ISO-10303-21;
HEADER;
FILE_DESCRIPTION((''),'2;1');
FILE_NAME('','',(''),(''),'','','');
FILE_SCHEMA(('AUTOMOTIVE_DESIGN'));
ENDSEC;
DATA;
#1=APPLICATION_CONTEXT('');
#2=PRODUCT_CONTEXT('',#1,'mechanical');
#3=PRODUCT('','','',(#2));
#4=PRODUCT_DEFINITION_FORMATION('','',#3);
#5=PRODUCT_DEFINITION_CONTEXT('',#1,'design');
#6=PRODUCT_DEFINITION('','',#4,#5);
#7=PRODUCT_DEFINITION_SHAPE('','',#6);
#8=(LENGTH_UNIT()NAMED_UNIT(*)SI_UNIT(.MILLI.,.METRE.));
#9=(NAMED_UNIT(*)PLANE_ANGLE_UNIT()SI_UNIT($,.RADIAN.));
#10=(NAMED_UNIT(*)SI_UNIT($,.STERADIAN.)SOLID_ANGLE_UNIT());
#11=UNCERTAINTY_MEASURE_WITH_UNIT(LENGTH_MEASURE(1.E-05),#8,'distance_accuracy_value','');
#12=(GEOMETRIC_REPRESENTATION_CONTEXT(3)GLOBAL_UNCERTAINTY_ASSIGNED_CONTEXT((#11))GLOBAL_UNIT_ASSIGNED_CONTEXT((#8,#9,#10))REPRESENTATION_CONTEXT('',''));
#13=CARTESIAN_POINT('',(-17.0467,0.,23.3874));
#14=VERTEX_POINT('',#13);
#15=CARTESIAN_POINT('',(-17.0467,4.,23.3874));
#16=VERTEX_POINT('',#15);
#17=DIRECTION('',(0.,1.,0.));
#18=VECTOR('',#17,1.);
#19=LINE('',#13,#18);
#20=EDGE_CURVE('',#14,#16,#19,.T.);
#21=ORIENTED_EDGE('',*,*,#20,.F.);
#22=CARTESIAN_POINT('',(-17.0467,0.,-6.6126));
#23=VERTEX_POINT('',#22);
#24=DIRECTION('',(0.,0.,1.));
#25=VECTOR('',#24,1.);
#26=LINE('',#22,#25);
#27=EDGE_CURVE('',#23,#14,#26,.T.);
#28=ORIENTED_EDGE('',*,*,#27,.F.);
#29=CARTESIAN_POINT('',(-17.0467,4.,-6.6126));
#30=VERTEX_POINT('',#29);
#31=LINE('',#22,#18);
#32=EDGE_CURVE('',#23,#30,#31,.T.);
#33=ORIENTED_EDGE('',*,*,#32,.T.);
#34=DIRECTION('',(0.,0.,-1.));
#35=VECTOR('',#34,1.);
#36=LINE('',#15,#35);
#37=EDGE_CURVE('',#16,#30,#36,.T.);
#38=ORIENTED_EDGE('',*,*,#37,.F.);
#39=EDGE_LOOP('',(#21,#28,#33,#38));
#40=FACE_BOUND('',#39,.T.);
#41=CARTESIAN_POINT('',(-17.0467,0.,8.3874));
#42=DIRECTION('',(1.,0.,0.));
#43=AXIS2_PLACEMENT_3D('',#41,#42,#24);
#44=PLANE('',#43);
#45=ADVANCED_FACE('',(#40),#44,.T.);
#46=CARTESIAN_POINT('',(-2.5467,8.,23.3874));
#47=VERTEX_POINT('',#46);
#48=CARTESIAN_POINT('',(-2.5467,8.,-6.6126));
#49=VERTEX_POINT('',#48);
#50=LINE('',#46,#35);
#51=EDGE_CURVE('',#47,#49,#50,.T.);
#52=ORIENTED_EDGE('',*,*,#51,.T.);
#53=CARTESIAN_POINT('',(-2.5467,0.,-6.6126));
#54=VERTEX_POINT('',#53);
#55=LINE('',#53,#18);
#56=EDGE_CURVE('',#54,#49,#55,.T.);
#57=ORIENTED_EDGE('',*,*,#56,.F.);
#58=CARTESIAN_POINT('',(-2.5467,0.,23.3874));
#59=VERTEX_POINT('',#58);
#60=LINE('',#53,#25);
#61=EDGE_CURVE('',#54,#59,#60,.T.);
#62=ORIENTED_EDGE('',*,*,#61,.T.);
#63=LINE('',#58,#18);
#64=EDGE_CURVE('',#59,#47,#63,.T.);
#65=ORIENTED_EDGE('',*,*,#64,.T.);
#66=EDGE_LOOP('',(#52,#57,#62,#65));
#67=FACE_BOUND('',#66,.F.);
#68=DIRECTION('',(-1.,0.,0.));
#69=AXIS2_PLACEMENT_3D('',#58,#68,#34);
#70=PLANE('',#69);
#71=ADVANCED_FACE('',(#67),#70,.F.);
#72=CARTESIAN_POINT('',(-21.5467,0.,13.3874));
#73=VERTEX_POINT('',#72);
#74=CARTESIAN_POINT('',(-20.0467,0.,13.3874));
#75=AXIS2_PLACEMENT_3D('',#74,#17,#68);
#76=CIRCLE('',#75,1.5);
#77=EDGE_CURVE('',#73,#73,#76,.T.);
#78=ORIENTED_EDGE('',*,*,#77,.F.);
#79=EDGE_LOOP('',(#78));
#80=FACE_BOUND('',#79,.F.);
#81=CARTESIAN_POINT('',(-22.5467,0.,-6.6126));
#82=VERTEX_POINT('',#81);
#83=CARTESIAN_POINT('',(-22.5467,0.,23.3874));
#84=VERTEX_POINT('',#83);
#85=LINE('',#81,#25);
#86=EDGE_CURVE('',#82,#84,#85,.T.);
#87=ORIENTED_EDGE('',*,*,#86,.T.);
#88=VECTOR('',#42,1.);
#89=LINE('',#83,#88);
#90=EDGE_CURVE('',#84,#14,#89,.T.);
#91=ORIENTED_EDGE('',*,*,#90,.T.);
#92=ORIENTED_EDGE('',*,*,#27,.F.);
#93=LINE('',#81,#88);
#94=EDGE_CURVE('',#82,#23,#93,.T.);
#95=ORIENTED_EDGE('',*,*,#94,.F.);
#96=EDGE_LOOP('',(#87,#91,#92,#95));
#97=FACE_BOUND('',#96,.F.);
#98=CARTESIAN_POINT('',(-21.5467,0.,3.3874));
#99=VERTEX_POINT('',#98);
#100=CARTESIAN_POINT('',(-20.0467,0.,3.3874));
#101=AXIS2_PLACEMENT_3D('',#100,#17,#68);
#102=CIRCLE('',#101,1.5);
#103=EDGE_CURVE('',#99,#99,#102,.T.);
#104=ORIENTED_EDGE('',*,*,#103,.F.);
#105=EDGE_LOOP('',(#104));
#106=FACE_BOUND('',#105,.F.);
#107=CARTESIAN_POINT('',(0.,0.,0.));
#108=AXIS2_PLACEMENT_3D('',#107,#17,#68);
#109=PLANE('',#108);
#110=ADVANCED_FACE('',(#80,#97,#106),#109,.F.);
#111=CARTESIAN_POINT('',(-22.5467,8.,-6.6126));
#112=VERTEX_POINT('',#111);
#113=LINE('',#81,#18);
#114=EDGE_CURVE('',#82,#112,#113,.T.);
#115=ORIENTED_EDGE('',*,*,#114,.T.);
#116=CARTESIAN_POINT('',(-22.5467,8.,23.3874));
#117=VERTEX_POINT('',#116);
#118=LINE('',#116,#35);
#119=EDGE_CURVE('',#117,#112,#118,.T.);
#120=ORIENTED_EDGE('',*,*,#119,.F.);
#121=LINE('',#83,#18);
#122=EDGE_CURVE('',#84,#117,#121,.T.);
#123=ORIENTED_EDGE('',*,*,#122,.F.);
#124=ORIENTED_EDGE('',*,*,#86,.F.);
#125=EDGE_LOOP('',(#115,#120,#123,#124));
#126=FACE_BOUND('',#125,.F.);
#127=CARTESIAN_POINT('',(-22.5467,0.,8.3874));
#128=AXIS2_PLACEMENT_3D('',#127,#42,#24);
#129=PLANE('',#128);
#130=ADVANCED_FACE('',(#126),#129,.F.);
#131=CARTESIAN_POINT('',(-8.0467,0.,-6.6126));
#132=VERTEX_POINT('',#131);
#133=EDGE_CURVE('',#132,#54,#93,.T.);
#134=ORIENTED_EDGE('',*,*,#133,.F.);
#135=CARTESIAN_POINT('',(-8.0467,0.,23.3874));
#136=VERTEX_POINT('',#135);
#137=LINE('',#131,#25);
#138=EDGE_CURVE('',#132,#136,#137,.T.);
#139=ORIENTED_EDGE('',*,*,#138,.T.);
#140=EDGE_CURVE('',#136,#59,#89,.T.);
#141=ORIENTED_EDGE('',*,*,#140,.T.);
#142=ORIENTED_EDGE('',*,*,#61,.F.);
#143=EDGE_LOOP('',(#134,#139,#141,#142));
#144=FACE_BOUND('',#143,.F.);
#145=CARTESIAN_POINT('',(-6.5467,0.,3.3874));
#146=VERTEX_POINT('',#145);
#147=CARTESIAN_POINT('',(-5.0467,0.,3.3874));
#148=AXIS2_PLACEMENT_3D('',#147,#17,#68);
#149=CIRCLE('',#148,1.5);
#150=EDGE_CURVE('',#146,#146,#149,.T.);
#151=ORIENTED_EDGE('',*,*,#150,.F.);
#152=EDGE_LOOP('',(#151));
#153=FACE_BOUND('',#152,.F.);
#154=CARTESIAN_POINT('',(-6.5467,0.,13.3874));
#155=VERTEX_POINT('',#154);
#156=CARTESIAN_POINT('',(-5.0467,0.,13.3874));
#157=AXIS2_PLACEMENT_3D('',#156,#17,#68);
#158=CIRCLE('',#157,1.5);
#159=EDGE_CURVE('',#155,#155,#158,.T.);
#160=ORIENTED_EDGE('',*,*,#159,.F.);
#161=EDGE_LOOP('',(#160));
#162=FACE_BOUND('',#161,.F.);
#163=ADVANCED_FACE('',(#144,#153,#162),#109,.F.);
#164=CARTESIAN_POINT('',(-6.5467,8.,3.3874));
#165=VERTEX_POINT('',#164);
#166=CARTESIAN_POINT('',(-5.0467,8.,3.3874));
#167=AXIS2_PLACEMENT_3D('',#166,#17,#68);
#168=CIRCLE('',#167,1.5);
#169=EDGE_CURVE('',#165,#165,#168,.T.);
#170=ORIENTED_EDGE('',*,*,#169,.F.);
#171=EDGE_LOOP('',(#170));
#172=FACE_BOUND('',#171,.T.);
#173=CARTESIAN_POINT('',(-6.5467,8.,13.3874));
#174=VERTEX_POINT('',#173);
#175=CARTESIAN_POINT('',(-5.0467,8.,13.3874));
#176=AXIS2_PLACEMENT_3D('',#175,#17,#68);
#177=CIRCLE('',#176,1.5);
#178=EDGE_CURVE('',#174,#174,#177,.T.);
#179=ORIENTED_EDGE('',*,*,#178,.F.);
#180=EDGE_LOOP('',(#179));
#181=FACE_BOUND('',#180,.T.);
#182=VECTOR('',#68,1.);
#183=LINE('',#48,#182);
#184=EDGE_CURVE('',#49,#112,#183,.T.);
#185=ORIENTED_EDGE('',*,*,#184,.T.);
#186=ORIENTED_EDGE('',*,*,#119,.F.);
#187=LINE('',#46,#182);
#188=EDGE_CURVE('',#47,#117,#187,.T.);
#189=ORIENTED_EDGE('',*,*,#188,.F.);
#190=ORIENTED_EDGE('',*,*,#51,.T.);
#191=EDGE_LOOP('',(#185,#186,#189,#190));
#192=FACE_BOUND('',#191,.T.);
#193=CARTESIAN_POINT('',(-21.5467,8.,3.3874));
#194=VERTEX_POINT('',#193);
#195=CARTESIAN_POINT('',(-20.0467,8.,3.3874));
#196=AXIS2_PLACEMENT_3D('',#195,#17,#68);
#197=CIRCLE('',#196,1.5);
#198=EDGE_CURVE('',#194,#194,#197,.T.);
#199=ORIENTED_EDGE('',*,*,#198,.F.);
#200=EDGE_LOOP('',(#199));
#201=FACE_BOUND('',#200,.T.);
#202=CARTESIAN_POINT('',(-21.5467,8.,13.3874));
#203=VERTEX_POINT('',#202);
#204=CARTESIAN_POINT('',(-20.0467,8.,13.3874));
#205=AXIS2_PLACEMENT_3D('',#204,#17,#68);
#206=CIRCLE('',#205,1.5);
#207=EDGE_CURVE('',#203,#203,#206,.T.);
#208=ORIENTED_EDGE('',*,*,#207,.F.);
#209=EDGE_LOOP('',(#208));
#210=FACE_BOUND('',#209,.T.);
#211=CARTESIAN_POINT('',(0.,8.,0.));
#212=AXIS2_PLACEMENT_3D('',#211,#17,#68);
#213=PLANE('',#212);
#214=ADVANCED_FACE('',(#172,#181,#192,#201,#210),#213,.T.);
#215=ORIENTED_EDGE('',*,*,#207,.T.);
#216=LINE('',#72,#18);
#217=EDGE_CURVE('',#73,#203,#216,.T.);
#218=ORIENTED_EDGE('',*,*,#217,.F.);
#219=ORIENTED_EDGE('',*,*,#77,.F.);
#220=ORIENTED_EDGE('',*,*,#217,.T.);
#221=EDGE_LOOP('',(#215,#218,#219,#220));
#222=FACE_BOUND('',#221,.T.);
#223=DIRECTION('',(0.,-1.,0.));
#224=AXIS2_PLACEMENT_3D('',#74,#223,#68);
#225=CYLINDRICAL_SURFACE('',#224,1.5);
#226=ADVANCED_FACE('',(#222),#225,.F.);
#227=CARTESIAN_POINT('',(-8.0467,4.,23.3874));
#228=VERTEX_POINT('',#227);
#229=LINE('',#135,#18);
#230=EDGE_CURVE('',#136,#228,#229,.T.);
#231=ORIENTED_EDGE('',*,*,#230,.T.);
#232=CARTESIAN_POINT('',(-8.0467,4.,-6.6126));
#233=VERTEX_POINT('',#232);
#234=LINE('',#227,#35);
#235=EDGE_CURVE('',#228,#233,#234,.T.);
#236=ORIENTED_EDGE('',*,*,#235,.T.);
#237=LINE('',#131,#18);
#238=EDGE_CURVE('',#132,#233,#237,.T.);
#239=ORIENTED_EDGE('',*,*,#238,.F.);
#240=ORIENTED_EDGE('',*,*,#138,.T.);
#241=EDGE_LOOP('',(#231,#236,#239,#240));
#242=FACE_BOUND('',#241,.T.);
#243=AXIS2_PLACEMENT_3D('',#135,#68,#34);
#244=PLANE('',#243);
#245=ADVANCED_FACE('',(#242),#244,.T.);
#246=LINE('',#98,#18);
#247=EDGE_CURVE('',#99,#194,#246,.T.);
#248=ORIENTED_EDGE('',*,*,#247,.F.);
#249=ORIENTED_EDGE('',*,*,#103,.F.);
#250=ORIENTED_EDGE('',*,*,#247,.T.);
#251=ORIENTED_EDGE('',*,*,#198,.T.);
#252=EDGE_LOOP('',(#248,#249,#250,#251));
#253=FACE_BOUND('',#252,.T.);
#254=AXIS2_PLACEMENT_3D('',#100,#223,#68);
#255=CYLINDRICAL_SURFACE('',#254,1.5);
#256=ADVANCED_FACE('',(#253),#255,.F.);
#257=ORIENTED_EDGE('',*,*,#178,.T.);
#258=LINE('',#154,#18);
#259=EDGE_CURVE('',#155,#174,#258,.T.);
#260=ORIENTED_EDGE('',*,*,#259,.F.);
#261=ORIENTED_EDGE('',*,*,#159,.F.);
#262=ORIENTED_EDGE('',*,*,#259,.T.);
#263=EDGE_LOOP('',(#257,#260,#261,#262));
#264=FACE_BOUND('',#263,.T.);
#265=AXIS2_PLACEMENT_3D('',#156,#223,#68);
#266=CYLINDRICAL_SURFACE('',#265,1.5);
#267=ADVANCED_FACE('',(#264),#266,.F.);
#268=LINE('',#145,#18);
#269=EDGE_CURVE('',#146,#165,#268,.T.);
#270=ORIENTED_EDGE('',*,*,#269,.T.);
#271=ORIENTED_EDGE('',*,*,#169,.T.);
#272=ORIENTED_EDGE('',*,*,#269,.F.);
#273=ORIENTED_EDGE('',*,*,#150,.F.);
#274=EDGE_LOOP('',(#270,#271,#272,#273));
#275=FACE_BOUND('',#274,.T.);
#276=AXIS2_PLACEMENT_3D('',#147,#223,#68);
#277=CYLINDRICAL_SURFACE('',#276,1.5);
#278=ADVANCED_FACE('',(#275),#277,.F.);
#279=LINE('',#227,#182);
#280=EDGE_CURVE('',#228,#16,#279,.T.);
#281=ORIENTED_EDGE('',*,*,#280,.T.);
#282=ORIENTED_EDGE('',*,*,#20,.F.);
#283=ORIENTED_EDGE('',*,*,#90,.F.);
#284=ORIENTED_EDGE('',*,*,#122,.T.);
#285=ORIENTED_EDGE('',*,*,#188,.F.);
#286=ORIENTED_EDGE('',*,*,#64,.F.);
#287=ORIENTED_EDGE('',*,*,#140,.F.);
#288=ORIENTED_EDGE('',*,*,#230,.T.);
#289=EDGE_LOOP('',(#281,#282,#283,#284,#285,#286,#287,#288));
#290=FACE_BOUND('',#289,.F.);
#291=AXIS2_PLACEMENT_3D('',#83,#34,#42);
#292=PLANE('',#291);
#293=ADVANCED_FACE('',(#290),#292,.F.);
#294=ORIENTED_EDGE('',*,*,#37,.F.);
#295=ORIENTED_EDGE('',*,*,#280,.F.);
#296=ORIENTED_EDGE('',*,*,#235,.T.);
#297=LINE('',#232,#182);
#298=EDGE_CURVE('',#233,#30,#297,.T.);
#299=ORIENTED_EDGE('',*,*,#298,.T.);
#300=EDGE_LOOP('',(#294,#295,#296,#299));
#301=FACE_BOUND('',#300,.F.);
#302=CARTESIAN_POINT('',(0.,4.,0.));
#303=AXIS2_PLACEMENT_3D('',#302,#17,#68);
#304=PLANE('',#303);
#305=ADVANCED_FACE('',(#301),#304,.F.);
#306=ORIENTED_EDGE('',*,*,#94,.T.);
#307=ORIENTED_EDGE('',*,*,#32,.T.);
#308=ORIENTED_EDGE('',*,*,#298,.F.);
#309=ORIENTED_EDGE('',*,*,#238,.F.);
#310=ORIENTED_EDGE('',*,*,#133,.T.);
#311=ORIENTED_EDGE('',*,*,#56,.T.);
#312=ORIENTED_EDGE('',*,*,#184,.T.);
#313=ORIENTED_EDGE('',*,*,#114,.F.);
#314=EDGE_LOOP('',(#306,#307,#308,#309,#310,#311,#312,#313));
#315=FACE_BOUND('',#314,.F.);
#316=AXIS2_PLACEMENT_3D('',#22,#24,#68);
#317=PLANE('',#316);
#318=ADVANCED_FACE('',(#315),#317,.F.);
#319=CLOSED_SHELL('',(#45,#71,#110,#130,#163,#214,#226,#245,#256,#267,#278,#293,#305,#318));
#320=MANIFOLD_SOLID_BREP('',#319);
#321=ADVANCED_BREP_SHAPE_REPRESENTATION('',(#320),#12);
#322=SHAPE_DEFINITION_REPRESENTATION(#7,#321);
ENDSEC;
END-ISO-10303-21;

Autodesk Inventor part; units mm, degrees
ref_plane "YZ Plane" through (0, 0, 0) normal (1, 0, 0) x (0, 1, 0)
ref_plane "XZ Plane" through (0, 0, 0) normal (0, 1, 0) x (-1, 0, 0)
ref_plane "XY Plane" through (0, 0, 0) normal (0, 0, 1) x (1, 0, 0)
sketch "Sketch1" plane through (0, 0, 0) normal (0, 1, 0) x (-1, 0, 0)
  line L0 (22.5467, 23.3874) -> (2.5467, 23.3874)
  line L1 (2.5467, 23.3874) -> (2.5467, -6.6126)
  line L2 (2.5467, -6.6126) -> (22.5467, -6.6126)
  line L3 (22.5467, -6.6126) -> (22.5467, 23.3874)
  line L4 (12.5467, -16.022) -> (12.5467, 29.6209)
  line L5 (17.0467, 23.3874) -> (8.0467, 23.3874)
  line L6 (8.0467, 23.3874) -> (8.0467, -6.6126)
  line L7 (8.0467, -6.6126) -> (17.0467, -6.6126)
  line L8 (17.0467, -6.6126) -> (17.0467, 23.3874)
  line L9 (26.0194, 8.3874) -> (1.0659, 8.3874)
  circle A0 centre (20.0467, 13.3874) radius 1.5
  circle A1 centre (5.0467, 13.3874) radius 1.5
  circle A2 centre (20.0467, 3.3874) radius 1.5
  circle A3 centre (5.0467, 3.3874) radius 1.5
  point P0 (0, 0)
  dimension "WR" = 9
  dimension "L" = 30
  dimension "d3" = 20
  dimension "d4" = 3
  dimension "d7" = 15
  dimension "d10" = 10
extrude "Extrusion1" add sketch "Sketch1" along normal blind 8
extrude "Extrusion2" cut sketch "Sketch1" along normal blind 4 contours L8 L9 L4 L0 | L4 L9 L6 L0 | L8 L2 L4 L9 | L4 L2 L6 L9
properties part number "slider-slider"
